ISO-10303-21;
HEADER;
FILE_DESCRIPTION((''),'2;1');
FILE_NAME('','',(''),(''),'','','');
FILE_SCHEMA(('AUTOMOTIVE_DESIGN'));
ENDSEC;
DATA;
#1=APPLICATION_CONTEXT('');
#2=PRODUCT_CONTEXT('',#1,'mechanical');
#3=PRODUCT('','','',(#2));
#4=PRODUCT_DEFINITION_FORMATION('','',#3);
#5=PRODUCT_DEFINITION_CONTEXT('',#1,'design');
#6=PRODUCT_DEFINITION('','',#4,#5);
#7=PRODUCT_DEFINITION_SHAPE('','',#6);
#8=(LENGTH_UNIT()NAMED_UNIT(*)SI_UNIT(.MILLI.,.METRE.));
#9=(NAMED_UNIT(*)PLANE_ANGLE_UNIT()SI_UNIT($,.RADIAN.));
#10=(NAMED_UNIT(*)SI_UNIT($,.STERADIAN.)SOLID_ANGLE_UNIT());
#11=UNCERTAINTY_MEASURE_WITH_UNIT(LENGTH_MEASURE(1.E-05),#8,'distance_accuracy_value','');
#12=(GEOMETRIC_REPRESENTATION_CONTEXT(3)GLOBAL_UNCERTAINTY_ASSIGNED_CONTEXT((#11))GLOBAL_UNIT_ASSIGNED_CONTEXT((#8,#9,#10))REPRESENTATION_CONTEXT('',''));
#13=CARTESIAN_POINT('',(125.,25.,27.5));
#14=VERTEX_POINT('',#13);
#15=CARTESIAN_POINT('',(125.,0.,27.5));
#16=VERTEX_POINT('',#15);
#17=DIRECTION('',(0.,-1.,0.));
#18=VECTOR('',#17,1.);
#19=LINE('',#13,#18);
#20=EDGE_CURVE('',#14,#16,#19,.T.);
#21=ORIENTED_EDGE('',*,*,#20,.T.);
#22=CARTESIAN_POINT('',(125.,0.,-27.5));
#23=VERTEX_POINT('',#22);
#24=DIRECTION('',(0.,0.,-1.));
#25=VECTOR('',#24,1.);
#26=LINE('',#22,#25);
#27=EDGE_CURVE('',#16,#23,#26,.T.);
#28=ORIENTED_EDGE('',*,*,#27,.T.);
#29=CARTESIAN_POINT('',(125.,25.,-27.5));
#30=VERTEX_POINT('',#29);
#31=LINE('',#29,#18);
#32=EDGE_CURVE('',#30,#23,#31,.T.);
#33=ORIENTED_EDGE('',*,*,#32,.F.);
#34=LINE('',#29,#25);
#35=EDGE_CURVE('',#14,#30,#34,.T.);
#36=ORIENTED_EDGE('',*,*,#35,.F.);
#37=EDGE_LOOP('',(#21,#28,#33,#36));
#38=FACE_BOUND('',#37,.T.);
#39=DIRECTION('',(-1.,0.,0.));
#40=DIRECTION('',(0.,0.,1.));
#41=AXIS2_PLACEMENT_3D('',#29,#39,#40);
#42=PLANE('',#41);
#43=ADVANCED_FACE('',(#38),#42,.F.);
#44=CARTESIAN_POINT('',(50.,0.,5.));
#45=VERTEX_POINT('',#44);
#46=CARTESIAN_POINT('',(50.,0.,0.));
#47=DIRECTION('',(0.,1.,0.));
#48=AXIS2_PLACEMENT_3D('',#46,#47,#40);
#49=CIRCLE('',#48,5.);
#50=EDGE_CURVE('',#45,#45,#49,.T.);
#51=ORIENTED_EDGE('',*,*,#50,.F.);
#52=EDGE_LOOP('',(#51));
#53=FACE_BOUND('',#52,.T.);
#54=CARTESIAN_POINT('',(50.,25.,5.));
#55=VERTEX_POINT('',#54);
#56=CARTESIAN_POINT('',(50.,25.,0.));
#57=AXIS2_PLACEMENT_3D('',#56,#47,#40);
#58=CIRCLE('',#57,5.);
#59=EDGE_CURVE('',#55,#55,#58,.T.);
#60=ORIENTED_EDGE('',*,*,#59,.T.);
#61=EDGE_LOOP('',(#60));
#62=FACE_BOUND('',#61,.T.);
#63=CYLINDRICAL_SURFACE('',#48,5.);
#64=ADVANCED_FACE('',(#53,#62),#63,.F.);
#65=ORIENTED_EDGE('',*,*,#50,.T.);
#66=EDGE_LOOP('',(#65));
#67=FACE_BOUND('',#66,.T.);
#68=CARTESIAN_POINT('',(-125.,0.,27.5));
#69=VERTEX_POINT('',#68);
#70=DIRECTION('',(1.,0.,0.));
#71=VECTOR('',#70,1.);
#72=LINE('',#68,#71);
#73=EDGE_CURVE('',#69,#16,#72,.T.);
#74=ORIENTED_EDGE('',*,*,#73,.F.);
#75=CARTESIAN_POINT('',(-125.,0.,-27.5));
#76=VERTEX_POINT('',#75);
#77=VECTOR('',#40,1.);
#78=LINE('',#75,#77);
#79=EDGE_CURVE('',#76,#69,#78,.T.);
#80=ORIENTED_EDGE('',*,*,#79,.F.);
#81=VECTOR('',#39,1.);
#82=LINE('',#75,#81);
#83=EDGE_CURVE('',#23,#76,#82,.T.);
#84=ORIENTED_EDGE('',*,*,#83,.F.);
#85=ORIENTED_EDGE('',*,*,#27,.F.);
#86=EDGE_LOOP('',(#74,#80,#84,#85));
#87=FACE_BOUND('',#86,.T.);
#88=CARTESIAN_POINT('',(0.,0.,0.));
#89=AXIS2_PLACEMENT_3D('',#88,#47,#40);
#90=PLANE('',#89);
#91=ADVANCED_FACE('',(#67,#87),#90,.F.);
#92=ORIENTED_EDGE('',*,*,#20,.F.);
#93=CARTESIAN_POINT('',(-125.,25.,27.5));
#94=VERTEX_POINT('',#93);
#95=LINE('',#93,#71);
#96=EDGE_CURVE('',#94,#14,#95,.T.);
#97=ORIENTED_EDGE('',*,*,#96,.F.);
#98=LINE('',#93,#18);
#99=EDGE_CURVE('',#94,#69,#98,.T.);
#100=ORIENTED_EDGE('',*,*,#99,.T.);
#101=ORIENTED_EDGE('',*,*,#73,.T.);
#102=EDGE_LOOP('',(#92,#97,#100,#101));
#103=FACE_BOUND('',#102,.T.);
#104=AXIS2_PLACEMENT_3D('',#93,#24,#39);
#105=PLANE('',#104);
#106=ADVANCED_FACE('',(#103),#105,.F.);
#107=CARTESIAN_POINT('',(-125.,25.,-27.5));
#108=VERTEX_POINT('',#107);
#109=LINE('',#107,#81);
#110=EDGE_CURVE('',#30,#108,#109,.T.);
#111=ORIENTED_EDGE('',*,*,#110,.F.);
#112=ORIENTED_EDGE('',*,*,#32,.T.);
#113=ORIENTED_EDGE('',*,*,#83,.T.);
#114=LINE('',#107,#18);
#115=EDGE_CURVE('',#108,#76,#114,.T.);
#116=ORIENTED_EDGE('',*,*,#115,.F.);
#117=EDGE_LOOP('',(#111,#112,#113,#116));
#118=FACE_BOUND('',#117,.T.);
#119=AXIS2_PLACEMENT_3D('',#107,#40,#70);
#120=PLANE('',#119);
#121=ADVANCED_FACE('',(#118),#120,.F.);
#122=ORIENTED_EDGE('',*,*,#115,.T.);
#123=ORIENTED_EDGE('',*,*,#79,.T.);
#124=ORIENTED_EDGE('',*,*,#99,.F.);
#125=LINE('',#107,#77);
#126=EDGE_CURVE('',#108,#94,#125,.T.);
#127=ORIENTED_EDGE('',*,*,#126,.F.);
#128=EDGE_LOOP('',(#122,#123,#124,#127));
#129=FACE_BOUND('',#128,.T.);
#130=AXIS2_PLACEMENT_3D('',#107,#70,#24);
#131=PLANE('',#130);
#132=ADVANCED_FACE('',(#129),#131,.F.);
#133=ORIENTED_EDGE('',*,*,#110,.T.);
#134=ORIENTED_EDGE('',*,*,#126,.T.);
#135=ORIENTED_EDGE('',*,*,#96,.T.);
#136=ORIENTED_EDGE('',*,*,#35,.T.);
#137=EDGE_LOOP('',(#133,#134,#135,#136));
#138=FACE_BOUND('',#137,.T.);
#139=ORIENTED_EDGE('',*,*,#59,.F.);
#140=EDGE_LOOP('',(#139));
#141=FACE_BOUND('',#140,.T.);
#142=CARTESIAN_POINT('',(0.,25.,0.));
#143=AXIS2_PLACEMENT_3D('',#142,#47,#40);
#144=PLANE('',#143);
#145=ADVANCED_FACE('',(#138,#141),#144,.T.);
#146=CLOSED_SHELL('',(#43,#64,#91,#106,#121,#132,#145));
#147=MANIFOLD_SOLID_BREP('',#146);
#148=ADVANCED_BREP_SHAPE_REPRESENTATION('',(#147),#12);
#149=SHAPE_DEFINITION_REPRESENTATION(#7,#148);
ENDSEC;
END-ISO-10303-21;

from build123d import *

# Parameters (mm, degrees)
SKETCH1_W           = 250
SKETCH1_H           = 55
BOSS_EXTRUDE1_DEPTH = 25
SKETCH2_R           = 5
CUT_EXTRUDE1_DEPTH  = 131.408013557


with BuildPart() as part:
    # Sketch1 → Boss-Extrude1 (new body)
    with BuildSketch(Plane(origin=(0, 0, 0), x_dir=(1, 0, 0), z_dir=(0, 1, 0))):
        Rectangle(SKETCH1_W, SKETCH1_H)
    extrude(amount=BOSS_EXTRUDE1_DEPTH)

    # Sketch2 → Cut-Extrude1 (cut, through all)
    with BuildSketch(Plane(origin=(0, 25, 0), x_dir=(1, 0, 0), z_dir=(0, 1, 0))):
        with Locations(Location((50, 0, 0), (0, 0, 270))):
            Circle(SKETCH2_R)
    extrude(amount=-CUT_EXTRUDE1_DEPTH, mode=Mode.SUBTRACT)


solid = part.part
